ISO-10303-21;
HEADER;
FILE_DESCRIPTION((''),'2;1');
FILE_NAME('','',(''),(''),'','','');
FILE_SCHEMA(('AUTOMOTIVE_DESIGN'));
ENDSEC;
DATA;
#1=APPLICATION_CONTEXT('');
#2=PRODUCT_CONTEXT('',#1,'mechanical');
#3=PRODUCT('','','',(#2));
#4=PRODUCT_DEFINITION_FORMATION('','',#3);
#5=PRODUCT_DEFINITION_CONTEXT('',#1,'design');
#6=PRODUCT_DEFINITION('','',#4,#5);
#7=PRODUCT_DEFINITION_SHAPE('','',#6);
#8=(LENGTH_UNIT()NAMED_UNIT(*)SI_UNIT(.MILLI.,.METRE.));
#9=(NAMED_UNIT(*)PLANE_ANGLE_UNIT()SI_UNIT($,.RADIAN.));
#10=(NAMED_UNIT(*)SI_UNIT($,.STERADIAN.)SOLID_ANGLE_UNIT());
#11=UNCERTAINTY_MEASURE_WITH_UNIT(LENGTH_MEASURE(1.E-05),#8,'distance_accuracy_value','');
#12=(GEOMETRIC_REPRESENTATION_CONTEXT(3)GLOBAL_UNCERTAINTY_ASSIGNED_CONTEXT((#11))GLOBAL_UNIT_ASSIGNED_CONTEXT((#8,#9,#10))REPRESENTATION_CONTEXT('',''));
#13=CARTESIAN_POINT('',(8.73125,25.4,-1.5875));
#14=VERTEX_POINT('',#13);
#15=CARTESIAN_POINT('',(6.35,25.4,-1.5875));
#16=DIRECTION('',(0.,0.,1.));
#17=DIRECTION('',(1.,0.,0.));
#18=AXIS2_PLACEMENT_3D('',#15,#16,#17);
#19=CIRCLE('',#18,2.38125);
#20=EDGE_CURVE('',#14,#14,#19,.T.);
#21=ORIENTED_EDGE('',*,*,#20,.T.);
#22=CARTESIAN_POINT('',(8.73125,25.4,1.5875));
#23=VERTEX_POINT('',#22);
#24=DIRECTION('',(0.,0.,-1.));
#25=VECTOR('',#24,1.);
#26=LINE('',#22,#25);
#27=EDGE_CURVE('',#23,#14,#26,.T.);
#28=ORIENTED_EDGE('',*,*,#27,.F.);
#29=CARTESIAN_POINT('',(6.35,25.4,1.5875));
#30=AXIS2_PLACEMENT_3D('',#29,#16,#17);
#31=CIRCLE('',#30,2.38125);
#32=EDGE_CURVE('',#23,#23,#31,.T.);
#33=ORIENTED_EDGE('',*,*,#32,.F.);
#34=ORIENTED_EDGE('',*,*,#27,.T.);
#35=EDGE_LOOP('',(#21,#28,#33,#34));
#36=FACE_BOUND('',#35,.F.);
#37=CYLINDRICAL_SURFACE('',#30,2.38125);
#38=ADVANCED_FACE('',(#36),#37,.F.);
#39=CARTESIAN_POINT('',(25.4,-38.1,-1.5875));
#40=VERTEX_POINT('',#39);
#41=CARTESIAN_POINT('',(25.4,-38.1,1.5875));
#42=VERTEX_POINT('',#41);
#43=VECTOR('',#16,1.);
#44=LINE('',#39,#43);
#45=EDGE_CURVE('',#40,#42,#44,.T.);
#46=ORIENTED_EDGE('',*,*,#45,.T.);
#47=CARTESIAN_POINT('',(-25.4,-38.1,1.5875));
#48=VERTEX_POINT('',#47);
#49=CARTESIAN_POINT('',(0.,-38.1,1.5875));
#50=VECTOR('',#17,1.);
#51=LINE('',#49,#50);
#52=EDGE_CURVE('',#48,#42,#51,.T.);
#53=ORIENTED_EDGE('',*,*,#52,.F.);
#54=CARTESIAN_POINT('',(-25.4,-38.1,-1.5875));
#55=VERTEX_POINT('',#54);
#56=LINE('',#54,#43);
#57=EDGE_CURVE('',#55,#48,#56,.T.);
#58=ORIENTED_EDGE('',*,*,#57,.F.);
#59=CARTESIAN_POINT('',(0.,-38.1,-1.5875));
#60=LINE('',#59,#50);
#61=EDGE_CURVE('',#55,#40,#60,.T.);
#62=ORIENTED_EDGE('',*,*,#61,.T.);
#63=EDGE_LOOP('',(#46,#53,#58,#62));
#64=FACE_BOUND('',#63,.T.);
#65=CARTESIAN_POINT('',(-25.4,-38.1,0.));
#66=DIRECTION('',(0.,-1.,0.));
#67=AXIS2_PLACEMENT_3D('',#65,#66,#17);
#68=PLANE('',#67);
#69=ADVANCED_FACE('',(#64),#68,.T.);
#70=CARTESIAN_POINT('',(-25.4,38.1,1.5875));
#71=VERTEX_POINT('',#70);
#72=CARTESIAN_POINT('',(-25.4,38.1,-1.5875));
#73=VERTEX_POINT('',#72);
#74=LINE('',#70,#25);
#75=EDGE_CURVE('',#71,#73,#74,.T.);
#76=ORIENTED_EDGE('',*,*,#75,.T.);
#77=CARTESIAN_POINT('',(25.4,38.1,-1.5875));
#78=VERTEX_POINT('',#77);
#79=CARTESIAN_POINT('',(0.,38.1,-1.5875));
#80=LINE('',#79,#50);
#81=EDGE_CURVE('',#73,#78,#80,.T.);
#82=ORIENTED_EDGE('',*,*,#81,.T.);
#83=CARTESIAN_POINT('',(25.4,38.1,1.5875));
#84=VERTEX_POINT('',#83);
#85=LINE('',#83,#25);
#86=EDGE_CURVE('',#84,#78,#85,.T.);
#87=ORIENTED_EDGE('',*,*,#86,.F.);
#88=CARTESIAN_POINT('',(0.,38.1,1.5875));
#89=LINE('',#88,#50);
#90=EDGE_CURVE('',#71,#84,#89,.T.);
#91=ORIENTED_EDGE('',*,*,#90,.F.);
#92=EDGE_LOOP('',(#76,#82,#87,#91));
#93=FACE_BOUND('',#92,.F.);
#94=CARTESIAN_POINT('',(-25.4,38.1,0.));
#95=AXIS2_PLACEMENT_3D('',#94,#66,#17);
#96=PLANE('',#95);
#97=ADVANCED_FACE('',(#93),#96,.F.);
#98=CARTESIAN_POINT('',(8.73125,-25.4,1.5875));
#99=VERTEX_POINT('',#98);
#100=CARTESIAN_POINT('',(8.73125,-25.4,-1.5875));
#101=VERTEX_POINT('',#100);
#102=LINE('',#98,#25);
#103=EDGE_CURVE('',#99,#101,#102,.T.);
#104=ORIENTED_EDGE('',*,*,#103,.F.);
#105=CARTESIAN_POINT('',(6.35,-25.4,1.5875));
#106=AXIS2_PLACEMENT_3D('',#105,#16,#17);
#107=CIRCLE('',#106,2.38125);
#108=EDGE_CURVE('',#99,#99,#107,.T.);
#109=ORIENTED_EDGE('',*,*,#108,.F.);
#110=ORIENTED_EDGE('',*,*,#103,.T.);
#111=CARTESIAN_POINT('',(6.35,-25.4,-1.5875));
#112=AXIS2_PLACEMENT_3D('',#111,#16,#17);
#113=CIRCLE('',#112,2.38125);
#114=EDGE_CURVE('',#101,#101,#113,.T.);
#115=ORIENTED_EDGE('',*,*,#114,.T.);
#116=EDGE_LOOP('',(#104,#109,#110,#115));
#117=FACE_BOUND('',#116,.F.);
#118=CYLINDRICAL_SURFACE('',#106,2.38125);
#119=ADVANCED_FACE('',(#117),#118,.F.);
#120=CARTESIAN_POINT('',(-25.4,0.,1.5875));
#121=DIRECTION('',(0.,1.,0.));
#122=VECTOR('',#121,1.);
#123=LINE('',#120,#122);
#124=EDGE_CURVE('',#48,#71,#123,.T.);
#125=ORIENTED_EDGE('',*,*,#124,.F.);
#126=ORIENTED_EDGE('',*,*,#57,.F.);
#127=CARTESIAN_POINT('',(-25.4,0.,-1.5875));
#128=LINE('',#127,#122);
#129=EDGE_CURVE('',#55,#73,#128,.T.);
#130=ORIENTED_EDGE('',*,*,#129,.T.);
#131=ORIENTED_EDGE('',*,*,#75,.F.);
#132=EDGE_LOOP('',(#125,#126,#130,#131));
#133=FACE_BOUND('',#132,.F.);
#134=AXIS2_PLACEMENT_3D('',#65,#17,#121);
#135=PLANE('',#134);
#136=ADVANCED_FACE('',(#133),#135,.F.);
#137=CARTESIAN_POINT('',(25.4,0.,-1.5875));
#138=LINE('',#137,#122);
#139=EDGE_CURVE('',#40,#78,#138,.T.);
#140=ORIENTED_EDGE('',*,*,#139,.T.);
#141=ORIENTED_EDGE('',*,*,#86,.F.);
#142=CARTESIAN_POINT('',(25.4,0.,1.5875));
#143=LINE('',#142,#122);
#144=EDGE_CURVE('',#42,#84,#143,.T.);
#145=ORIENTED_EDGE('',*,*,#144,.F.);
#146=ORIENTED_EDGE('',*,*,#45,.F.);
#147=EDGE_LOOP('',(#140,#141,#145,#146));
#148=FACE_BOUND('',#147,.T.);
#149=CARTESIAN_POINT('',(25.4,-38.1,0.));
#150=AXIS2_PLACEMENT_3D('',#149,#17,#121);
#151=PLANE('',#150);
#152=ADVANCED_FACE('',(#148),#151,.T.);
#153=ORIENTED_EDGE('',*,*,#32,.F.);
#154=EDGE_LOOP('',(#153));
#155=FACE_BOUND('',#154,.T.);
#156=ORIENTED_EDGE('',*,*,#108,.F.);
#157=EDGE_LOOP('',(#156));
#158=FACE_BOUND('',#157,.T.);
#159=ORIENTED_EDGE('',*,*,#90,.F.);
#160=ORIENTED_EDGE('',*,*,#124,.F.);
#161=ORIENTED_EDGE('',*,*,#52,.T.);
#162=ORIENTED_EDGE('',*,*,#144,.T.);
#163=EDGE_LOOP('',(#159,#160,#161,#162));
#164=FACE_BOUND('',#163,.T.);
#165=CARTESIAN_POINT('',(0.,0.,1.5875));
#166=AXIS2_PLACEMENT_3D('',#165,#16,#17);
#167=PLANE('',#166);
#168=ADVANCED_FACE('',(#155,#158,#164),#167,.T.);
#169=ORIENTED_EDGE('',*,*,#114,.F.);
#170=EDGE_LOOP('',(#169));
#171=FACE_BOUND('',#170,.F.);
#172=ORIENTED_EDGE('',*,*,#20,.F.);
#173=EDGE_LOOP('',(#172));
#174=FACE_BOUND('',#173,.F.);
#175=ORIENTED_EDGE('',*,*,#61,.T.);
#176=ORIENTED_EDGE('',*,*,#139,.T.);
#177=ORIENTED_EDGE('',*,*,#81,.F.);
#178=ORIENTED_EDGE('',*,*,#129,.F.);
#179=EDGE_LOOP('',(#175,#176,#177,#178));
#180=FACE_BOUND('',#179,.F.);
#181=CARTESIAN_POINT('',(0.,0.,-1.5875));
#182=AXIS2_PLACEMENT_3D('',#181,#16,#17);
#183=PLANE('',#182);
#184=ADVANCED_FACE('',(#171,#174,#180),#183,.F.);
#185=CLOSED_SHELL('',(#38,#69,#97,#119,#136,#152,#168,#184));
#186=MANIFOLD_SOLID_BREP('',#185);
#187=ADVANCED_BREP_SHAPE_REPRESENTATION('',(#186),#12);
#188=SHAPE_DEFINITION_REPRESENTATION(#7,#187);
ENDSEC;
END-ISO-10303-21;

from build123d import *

# Parameters (mm, degrees)
F0_W     = 50.8
F0_H     = 76.2
F1_DEPTH = 1.5875
F2_R     = 2.38125
F3_DEPTH = 3.175


with BuildPart() as f1:
    # F0 (on Top) → F1 (new body, symmetric)
    with BuildSketch(Plane.XY):
        Rectangle(F0_W, F0_H)
    extrude(amount=F1_DEPTH, both=True)

    # F2 (on face) → F3 (cut, through all)
    with BuildSketch(Plane.XY.offset(1.5875)):
        with Locations((6.35, 25.4)):
            Circle(F2_R)
        with Locations((6.35, -25.4)):
            Circle(F2_R)
    extrude(amount=-F3_DEPTH, mode=Mode.SUBTRACT)


solid = f1.part
